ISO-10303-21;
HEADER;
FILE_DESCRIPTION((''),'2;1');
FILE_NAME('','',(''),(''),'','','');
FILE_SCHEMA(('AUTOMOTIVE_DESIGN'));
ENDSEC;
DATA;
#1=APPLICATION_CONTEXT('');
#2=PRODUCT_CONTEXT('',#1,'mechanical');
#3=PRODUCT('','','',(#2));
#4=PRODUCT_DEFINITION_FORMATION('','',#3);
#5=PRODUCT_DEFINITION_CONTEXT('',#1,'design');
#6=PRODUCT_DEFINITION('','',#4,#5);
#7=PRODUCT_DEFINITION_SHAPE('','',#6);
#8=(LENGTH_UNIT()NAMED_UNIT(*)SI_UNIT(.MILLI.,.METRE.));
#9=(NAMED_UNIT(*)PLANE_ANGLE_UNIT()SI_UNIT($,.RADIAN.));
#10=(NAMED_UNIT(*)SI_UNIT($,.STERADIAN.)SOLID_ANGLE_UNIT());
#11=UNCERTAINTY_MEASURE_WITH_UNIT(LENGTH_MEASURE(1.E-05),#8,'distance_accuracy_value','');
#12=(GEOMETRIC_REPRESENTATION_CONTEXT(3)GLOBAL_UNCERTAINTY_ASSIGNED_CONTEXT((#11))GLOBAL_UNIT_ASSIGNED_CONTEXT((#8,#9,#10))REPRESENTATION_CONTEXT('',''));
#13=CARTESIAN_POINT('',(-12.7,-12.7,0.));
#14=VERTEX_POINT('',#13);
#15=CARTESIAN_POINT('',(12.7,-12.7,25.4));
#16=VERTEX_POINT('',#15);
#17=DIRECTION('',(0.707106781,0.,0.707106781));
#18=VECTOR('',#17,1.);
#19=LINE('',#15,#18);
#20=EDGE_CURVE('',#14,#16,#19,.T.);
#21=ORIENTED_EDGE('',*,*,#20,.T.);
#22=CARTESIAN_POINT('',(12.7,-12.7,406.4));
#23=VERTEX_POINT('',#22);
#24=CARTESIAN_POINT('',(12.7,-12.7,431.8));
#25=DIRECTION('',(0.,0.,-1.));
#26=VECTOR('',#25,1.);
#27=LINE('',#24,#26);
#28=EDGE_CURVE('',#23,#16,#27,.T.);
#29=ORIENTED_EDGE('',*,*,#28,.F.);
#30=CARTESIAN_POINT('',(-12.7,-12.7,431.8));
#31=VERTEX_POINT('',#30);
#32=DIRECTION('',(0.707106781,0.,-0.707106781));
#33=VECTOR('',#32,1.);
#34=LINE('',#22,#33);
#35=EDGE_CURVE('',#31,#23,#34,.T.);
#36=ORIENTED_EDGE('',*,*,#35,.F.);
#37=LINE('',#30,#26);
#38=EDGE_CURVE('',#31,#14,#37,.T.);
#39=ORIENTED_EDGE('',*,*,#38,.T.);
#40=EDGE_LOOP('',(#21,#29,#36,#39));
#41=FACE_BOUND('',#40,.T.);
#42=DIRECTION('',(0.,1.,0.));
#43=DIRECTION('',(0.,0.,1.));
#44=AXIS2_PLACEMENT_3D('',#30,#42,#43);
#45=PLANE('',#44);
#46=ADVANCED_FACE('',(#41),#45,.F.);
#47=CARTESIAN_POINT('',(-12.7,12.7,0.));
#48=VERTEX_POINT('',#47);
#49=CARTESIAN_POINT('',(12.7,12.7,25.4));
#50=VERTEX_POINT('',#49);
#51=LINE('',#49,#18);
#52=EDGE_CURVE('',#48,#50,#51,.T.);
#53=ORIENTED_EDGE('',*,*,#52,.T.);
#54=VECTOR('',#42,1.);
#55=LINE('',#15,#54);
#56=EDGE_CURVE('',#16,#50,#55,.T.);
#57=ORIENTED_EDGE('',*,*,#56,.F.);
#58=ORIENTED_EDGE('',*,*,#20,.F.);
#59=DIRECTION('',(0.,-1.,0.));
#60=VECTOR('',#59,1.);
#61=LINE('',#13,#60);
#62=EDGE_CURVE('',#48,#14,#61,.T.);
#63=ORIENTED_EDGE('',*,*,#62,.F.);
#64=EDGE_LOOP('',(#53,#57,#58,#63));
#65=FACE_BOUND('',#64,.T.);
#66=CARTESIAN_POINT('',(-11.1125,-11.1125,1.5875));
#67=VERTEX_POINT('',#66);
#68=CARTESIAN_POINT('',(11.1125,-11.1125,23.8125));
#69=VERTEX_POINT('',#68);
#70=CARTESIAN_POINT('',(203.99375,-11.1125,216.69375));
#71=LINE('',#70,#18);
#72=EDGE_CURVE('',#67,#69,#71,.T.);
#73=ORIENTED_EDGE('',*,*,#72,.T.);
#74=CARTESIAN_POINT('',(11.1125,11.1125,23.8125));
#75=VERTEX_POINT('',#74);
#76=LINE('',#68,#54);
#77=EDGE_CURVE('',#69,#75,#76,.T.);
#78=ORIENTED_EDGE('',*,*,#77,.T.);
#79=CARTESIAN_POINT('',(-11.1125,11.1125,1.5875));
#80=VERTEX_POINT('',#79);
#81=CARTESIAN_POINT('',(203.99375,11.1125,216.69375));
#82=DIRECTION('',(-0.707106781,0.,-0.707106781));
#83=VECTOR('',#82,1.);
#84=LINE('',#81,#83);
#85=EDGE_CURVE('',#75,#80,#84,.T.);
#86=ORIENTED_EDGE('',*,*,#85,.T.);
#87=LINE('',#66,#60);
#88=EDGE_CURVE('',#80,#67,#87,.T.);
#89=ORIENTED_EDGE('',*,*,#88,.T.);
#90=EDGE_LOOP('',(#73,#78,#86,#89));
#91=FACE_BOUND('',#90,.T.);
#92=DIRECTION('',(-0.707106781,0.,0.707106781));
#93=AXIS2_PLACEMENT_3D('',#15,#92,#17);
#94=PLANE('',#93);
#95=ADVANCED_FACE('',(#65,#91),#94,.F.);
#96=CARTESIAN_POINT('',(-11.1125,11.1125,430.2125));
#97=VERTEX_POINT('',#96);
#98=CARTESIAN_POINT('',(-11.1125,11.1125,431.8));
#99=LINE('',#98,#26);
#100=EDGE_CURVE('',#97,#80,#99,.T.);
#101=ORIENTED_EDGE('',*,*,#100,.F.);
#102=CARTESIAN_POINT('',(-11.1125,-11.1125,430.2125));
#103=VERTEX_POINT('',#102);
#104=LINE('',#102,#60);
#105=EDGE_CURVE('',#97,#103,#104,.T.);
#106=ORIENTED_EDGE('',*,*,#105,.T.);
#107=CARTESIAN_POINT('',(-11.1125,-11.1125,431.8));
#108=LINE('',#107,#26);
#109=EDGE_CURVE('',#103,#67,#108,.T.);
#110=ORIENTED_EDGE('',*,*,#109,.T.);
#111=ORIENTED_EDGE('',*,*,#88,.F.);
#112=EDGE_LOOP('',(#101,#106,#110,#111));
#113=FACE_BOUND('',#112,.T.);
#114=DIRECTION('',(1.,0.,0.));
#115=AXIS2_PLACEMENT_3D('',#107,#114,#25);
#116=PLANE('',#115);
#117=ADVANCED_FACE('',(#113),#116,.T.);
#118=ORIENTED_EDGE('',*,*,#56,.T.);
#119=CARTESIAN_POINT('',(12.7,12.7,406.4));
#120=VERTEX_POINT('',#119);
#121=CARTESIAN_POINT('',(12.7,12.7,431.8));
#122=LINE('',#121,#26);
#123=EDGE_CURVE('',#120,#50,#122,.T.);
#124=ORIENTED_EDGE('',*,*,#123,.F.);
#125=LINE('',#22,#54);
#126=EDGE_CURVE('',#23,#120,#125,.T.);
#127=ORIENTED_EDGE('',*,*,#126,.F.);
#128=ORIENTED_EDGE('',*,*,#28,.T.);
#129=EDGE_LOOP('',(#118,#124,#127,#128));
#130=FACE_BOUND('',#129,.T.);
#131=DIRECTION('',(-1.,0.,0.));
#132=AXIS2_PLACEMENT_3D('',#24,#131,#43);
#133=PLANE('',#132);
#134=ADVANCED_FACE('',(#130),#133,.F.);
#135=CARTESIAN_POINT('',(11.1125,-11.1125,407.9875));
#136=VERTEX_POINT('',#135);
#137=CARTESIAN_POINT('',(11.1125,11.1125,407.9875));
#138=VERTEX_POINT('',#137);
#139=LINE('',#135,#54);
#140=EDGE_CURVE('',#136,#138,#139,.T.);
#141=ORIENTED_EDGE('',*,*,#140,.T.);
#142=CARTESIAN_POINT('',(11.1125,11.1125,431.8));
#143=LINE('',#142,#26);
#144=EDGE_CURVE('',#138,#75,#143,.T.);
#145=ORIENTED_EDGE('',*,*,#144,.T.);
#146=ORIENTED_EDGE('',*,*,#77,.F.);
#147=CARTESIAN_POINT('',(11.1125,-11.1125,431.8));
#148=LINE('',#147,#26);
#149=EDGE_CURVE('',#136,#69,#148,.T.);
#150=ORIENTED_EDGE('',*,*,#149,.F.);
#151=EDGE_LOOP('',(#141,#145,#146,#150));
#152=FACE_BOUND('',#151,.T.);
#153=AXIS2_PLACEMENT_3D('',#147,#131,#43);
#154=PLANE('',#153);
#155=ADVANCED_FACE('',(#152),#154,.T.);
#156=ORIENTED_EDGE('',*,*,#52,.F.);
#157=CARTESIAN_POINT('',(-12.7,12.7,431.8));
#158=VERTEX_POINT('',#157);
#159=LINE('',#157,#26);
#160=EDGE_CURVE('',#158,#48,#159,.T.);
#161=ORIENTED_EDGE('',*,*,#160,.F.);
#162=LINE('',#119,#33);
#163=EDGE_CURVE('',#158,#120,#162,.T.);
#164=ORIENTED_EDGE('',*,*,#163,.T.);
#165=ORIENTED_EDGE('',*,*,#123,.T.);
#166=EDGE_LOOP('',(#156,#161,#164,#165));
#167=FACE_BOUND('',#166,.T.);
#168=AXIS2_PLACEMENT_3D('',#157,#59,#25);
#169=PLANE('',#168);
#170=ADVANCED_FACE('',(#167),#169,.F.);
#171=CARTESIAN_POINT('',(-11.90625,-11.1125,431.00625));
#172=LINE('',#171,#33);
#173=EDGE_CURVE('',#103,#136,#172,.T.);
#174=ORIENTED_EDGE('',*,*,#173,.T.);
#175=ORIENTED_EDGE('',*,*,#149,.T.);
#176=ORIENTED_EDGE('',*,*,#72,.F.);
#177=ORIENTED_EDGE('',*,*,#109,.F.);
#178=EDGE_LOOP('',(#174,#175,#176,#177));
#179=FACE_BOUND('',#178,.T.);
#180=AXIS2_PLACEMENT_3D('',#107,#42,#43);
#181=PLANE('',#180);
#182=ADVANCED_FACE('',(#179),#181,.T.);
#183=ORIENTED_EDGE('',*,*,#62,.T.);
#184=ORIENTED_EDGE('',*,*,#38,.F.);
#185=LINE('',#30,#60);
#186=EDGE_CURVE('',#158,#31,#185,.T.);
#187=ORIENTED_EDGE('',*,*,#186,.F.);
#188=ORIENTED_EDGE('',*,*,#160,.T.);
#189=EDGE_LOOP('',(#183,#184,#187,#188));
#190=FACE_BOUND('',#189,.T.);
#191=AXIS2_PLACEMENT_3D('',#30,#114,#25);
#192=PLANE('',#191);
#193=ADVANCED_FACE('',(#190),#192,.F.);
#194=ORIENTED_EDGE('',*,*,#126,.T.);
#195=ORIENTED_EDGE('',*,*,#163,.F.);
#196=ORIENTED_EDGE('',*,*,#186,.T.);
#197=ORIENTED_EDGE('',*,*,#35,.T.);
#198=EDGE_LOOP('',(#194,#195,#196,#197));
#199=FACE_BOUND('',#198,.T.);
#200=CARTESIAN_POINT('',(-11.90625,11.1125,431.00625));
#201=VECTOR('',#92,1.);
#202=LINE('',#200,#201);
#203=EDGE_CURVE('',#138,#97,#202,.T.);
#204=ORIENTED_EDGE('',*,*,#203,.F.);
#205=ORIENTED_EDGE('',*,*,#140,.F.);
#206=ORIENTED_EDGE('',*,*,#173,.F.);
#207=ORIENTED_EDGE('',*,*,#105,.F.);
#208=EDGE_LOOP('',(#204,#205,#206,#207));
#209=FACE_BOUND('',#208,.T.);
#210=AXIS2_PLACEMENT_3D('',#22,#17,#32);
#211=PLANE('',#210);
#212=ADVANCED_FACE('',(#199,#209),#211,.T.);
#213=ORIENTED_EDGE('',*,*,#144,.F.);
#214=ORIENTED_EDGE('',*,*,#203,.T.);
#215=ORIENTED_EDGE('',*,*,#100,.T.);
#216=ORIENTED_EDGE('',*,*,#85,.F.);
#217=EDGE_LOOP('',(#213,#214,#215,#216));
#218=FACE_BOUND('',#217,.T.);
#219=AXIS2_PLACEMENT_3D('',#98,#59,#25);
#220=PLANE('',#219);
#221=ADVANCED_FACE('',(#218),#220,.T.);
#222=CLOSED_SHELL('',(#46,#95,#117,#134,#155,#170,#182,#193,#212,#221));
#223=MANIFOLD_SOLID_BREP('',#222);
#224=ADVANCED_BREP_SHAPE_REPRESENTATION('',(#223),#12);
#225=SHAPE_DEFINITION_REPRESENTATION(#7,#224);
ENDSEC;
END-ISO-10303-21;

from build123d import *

# Parameters (mm, degrees)
SKETCH1_W           = 25.4
SKETCH1_H           = 25.4
SKETCH1_W_2         = 22.225
SKETCH1_H_2         = 22.225
BOSS_EXTRUDE1_DEPTH = 431.8
CUT_EXTRUDE1_DEPTH  = 433.73281595


with BuildPart() as part:
    # Sketch1 → Boss-Extrude1 (new body)
    with BuildSketch(Plane.XY):
        Rectangle(SKETCH1_W, SKETCH1_H)
        Rectangle(SKETCH1_W_2, SKETCH1_H_2, mode=Mode.SUBTRACT)
    extrude(amount=BOSS_EXTRUDE1_DEPTH)

    # Sketch2 → Cut-Extrude1 (cut, through all)
    with BuildSketch(Plane(origin=(0, 12.7, 0), x_dir=(1, 0, 0), z_dir=(0, 1, 0))):
        Polygon((12.7, 0), (12.7, -25.4), (-12.7, 0), align=None)
    cut_extrude1 = extrude(amount=-CUT_EXTRUDE1_DEPTH, mode=Mode.SUBTRACT)

    # Mirror1: Cut-Extrude1 across plane
    add(cut_extrude1.mirror(Plane.XY.offset(215.9)), mode=Mode.SUBTRACT)


solid = part.part
